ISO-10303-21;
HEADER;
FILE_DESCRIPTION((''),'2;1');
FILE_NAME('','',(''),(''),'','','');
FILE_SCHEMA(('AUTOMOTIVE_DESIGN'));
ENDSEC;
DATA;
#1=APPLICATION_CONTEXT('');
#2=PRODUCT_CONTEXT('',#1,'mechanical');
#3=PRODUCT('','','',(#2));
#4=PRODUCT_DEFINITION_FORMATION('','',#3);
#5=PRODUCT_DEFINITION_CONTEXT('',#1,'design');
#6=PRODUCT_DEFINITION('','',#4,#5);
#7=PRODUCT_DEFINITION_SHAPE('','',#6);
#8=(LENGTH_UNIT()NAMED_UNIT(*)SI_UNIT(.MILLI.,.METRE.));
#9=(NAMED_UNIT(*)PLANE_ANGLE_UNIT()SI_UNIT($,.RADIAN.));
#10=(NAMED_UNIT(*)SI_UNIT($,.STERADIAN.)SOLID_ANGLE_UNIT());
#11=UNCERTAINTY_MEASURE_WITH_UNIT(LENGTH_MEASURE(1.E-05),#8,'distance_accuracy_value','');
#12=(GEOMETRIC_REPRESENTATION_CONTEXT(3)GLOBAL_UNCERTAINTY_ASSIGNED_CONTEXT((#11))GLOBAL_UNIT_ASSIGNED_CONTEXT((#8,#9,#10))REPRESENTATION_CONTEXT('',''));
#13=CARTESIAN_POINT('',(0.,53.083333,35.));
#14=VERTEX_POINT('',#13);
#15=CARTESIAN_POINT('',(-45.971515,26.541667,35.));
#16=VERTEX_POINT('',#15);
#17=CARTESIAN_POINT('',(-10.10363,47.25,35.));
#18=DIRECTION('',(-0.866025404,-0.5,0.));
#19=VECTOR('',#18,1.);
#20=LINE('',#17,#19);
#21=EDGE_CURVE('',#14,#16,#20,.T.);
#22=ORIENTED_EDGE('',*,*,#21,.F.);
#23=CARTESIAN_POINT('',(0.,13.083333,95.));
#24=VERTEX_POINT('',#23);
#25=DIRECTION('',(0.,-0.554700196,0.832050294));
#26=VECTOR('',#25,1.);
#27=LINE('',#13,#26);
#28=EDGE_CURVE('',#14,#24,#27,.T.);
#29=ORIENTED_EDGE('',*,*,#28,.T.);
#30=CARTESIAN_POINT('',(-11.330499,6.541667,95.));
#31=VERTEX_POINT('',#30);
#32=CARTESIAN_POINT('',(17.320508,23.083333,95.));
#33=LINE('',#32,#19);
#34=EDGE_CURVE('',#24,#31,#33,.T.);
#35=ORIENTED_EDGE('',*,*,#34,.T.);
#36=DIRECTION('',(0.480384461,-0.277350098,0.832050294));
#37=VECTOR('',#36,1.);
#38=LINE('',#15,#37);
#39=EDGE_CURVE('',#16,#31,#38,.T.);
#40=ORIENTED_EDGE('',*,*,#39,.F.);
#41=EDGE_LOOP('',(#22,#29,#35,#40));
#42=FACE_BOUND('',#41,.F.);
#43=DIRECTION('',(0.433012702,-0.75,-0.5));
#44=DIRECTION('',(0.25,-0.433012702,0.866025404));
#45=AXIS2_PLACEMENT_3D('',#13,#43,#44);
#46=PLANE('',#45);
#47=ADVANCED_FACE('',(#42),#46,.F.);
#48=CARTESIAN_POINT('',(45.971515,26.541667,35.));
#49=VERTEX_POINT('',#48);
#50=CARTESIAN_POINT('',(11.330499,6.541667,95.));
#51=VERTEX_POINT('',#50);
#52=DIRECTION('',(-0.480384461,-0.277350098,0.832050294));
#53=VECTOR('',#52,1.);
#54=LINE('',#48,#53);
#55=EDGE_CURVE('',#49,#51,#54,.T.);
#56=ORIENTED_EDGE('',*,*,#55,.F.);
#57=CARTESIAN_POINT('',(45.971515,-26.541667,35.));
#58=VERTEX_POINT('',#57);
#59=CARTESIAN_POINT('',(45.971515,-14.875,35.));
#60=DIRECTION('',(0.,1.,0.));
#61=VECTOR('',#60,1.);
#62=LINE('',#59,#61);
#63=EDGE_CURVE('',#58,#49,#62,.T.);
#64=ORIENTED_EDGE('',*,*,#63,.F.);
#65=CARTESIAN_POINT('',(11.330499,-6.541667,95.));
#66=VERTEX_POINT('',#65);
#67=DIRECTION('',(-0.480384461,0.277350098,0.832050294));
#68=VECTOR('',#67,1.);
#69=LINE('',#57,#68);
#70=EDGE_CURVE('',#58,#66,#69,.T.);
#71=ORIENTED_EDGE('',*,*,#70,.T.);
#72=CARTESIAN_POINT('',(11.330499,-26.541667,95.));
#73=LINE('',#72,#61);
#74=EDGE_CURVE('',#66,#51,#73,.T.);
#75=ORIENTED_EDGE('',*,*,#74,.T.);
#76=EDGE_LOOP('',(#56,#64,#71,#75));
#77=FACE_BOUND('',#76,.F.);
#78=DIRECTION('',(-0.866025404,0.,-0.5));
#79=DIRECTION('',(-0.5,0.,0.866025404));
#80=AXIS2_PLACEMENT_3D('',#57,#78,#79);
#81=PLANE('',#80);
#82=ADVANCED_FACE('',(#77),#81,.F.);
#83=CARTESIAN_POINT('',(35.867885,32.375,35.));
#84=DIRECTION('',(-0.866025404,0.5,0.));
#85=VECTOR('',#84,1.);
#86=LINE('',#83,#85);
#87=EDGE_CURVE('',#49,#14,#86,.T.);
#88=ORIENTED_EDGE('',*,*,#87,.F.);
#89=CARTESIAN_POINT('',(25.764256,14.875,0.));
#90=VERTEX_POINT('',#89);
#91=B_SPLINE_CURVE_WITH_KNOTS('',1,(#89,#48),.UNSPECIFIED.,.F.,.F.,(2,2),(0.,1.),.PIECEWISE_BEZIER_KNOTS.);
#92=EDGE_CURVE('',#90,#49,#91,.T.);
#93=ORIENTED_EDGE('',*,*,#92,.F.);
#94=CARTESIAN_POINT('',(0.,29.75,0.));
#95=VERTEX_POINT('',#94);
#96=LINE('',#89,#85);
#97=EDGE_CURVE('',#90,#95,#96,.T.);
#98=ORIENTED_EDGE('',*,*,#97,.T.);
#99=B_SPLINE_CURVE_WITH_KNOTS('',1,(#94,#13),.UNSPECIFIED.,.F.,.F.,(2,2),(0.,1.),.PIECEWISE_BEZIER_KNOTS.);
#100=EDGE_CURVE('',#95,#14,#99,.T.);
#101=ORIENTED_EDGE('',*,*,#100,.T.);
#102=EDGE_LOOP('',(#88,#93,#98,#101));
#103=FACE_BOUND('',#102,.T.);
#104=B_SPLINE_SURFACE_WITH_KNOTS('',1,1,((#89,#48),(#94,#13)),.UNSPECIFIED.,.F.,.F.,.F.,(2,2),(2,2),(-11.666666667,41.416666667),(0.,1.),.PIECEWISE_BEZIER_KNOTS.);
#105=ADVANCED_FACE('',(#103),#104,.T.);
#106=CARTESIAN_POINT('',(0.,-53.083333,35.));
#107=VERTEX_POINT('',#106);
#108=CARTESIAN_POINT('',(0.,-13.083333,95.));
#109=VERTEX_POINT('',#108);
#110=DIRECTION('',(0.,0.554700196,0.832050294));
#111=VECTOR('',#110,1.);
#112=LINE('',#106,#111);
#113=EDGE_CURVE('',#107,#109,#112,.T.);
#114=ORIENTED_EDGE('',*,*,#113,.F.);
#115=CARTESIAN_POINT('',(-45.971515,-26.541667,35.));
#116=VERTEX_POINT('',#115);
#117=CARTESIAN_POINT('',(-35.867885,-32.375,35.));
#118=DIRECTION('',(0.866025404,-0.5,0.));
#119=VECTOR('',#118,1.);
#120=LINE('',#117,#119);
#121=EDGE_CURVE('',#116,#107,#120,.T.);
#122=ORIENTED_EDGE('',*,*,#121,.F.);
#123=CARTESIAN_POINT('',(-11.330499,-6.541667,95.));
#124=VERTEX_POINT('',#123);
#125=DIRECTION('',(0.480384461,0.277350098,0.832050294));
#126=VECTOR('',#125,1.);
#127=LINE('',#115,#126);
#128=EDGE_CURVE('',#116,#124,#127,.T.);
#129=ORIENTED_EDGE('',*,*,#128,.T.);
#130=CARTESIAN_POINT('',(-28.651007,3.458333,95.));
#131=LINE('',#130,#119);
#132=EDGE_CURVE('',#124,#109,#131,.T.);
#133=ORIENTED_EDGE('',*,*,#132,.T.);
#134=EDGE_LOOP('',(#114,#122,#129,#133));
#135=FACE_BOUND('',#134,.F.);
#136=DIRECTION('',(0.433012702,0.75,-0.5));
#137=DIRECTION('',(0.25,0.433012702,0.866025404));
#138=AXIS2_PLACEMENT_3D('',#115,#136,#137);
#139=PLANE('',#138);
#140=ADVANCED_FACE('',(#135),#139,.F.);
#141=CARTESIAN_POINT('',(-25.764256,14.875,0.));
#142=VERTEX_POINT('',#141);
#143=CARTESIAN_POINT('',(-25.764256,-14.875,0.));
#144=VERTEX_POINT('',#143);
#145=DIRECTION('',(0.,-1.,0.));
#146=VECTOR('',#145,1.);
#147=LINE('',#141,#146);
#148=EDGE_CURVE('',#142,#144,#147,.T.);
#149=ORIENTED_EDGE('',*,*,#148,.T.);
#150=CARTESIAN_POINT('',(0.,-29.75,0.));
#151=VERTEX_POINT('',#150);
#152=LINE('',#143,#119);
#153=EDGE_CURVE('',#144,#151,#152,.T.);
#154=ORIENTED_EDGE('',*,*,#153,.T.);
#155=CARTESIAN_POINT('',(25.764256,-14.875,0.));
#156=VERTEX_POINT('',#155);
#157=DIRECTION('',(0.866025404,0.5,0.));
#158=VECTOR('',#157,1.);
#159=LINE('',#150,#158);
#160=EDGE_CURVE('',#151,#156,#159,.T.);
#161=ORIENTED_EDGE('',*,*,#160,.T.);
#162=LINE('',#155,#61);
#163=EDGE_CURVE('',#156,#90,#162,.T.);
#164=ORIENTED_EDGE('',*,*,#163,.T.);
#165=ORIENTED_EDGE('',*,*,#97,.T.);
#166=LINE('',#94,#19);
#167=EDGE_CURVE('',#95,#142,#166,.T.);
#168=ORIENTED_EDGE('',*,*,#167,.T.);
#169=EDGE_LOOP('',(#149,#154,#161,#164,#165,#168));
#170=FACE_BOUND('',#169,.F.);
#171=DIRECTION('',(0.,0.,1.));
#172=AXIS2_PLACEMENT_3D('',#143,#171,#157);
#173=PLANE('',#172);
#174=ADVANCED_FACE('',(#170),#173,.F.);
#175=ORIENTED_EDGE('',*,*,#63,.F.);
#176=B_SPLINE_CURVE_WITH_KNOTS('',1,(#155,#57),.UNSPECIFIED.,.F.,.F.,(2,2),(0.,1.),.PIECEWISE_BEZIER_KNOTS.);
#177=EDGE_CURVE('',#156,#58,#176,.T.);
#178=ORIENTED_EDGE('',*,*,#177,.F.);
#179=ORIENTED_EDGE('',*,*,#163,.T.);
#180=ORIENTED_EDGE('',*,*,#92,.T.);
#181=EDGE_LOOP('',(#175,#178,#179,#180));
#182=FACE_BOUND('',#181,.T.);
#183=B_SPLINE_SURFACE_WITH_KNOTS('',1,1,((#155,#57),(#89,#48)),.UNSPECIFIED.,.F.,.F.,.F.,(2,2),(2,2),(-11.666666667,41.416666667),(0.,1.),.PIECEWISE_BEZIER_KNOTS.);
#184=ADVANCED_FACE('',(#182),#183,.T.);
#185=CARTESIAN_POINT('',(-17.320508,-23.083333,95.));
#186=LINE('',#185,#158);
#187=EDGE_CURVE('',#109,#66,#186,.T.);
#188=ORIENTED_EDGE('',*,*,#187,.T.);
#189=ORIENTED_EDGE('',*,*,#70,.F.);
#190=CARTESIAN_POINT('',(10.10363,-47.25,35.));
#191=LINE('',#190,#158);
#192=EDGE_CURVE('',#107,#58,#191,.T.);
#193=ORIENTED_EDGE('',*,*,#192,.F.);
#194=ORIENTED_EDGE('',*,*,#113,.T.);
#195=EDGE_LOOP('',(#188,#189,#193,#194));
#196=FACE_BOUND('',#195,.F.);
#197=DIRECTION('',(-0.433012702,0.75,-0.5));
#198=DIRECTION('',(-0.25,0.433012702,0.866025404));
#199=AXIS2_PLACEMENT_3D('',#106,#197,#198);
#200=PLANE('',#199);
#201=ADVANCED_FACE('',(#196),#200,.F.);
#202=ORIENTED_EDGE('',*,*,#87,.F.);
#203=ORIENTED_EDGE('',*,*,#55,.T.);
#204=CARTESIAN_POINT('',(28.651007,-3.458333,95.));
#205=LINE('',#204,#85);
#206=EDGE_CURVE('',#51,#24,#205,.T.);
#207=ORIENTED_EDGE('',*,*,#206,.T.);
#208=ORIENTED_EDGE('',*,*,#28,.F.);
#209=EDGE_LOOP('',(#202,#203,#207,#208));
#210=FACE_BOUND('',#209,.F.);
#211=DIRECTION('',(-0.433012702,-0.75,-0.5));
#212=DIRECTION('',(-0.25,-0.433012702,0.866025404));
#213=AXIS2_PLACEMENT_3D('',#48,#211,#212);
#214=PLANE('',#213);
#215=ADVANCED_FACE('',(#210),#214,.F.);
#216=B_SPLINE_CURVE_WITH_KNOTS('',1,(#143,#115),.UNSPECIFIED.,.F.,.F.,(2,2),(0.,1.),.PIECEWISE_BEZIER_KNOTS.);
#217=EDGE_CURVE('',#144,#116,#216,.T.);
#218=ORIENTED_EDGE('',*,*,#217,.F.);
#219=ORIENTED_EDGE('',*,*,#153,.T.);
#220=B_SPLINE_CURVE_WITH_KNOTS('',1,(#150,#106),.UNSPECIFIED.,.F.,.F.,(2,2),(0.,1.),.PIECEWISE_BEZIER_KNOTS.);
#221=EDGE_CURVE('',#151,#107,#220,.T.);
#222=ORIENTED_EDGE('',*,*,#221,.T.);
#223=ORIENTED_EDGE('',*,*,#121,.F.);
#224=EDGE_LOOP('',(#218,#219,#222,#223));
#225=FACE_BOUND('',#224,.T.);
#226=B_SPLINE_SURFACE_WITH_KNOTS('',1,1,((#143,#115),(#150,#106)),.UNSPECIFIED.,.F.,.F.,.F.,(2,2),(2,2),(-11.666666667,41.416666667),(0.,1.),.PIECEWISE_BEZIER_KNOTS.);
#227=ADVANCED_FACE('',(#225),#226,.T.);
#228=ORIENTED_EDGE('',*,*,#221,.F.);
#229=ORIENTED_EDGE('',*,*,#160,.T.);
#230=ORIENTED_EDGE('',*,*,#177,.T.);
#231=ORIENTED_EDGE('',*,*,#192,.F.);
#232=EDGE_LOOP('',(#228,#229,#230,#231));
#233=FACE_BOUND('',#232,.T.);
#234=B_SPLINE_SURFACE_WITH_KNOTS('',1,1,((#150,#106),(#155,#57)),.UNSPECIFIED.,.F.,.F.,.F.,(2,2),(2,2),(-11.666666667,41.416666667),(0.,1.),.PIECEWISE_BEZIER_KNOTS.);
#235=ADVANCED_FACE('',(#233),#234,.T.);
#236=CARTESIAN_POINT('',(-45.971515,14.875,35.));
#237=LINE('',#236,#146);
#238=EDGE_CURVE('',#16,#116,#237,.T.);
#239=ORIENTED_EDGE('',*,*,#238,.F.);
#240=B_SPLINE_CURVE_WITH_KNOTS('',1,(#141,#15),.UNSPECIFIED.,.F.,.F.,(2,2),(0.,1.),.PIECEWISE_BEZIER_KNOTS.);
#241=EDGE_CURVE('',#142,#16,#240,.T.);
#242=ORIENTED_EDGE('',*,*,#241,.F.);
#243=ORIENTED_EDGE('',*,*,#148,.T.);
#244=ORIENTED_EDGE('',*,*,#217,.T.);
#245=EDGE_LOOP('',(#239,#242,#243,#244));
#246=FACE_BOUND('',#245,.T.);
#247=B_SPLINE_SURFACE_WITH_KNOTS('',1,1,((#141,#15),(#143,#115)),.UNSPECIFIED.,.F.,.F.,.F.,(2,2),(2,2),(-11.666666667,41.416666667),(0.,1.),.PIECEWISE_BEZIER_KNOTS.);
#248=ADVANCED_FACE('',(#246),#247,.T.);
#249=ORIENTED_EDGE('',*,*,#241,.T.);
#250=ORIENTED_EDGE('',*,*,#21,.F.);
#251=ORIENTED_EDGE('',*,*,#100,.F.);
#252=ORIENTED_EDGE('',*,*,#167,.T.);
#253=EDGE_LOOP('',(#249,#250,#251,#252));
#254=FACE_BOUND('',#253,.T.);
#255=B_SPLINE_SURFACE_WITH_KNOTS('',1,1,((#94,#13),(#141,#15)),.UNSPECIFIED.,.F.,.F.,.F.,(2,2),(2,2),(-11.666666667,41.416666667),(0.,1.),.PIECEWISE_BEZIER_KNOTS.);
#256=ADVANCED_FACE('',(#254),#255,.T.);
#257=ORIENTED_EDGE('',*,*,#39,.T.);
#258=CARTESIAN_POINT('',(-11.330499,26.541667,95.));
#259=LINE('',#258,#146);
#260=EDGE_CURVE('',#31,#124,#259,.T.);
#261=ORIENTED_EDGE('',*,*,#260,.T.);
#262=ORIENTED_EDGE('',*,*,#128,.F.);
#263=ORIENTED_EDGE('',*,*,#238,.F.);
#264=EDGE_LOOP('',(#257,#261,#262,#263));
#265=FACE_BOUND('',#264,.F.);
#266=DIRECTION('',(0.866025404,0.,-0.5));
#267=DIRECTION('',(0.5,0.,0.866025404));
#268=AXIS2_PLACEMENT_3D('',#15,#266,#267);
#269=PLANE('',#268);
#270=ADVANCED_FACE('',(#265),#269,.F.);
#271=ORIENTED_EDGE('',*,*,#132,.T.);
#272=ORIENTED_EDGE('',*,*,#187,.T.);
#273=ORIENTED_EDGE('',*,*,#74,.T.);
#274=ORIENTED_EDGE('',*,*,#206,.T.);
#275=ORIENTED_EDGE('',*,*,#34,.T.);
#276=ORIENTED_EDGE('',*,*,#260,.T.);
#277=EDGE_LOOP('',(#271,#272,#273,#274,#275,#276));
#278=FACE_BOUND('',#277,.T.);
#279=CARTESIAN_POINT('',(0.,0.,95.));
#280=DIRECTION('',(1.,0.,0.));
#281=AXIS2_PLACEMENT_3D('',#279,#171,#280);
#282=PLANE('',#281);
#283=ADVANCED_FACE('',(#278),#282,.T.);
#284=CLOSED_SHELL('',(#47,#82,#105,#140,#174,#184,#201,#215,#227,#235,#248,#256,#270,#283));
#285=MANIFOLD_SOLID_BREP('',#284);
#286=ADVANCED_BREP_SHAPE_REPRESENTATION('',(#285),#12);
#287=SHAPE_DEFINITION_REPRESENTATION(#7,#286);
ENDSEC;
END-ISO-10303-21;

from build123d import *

# Parameters (mm, degrees)
F1_DEPTH = 35
F1_TAPER = -30
F2_DEPTH = 60
F2_TAPER = 30


with BuildPart() as f1:
    # F0 (on Top) → F1 (new body)
    with BuildSketch(Plane.XY):
        Polygon((-25.7642557626, -14.875), (0, -29.75), (25.7642557626, -14.875), (25.7642557626, 14.875), (0, 29.75), (-25.7642557626, 14.875), align=None)
    extrude(amount=F1_DEPTH, taper=F1_TAPER)

    # F1_face (on face) → F2 (join)
    with BuildSketch(Plane.XY.offset(35)):
        Polygon((-45.9715151842, -26.5416666667), (0, -53.0833333333), (45.9715151842, -26.5416666667), (45.9715151842, 26.5416666667), (0, 53.0833333333), (-45.9715151842, 26.5416666667), align=None)
    extrude(amount=F2_DEPTH, taper=F2_TAPER)


solid = f1.part
